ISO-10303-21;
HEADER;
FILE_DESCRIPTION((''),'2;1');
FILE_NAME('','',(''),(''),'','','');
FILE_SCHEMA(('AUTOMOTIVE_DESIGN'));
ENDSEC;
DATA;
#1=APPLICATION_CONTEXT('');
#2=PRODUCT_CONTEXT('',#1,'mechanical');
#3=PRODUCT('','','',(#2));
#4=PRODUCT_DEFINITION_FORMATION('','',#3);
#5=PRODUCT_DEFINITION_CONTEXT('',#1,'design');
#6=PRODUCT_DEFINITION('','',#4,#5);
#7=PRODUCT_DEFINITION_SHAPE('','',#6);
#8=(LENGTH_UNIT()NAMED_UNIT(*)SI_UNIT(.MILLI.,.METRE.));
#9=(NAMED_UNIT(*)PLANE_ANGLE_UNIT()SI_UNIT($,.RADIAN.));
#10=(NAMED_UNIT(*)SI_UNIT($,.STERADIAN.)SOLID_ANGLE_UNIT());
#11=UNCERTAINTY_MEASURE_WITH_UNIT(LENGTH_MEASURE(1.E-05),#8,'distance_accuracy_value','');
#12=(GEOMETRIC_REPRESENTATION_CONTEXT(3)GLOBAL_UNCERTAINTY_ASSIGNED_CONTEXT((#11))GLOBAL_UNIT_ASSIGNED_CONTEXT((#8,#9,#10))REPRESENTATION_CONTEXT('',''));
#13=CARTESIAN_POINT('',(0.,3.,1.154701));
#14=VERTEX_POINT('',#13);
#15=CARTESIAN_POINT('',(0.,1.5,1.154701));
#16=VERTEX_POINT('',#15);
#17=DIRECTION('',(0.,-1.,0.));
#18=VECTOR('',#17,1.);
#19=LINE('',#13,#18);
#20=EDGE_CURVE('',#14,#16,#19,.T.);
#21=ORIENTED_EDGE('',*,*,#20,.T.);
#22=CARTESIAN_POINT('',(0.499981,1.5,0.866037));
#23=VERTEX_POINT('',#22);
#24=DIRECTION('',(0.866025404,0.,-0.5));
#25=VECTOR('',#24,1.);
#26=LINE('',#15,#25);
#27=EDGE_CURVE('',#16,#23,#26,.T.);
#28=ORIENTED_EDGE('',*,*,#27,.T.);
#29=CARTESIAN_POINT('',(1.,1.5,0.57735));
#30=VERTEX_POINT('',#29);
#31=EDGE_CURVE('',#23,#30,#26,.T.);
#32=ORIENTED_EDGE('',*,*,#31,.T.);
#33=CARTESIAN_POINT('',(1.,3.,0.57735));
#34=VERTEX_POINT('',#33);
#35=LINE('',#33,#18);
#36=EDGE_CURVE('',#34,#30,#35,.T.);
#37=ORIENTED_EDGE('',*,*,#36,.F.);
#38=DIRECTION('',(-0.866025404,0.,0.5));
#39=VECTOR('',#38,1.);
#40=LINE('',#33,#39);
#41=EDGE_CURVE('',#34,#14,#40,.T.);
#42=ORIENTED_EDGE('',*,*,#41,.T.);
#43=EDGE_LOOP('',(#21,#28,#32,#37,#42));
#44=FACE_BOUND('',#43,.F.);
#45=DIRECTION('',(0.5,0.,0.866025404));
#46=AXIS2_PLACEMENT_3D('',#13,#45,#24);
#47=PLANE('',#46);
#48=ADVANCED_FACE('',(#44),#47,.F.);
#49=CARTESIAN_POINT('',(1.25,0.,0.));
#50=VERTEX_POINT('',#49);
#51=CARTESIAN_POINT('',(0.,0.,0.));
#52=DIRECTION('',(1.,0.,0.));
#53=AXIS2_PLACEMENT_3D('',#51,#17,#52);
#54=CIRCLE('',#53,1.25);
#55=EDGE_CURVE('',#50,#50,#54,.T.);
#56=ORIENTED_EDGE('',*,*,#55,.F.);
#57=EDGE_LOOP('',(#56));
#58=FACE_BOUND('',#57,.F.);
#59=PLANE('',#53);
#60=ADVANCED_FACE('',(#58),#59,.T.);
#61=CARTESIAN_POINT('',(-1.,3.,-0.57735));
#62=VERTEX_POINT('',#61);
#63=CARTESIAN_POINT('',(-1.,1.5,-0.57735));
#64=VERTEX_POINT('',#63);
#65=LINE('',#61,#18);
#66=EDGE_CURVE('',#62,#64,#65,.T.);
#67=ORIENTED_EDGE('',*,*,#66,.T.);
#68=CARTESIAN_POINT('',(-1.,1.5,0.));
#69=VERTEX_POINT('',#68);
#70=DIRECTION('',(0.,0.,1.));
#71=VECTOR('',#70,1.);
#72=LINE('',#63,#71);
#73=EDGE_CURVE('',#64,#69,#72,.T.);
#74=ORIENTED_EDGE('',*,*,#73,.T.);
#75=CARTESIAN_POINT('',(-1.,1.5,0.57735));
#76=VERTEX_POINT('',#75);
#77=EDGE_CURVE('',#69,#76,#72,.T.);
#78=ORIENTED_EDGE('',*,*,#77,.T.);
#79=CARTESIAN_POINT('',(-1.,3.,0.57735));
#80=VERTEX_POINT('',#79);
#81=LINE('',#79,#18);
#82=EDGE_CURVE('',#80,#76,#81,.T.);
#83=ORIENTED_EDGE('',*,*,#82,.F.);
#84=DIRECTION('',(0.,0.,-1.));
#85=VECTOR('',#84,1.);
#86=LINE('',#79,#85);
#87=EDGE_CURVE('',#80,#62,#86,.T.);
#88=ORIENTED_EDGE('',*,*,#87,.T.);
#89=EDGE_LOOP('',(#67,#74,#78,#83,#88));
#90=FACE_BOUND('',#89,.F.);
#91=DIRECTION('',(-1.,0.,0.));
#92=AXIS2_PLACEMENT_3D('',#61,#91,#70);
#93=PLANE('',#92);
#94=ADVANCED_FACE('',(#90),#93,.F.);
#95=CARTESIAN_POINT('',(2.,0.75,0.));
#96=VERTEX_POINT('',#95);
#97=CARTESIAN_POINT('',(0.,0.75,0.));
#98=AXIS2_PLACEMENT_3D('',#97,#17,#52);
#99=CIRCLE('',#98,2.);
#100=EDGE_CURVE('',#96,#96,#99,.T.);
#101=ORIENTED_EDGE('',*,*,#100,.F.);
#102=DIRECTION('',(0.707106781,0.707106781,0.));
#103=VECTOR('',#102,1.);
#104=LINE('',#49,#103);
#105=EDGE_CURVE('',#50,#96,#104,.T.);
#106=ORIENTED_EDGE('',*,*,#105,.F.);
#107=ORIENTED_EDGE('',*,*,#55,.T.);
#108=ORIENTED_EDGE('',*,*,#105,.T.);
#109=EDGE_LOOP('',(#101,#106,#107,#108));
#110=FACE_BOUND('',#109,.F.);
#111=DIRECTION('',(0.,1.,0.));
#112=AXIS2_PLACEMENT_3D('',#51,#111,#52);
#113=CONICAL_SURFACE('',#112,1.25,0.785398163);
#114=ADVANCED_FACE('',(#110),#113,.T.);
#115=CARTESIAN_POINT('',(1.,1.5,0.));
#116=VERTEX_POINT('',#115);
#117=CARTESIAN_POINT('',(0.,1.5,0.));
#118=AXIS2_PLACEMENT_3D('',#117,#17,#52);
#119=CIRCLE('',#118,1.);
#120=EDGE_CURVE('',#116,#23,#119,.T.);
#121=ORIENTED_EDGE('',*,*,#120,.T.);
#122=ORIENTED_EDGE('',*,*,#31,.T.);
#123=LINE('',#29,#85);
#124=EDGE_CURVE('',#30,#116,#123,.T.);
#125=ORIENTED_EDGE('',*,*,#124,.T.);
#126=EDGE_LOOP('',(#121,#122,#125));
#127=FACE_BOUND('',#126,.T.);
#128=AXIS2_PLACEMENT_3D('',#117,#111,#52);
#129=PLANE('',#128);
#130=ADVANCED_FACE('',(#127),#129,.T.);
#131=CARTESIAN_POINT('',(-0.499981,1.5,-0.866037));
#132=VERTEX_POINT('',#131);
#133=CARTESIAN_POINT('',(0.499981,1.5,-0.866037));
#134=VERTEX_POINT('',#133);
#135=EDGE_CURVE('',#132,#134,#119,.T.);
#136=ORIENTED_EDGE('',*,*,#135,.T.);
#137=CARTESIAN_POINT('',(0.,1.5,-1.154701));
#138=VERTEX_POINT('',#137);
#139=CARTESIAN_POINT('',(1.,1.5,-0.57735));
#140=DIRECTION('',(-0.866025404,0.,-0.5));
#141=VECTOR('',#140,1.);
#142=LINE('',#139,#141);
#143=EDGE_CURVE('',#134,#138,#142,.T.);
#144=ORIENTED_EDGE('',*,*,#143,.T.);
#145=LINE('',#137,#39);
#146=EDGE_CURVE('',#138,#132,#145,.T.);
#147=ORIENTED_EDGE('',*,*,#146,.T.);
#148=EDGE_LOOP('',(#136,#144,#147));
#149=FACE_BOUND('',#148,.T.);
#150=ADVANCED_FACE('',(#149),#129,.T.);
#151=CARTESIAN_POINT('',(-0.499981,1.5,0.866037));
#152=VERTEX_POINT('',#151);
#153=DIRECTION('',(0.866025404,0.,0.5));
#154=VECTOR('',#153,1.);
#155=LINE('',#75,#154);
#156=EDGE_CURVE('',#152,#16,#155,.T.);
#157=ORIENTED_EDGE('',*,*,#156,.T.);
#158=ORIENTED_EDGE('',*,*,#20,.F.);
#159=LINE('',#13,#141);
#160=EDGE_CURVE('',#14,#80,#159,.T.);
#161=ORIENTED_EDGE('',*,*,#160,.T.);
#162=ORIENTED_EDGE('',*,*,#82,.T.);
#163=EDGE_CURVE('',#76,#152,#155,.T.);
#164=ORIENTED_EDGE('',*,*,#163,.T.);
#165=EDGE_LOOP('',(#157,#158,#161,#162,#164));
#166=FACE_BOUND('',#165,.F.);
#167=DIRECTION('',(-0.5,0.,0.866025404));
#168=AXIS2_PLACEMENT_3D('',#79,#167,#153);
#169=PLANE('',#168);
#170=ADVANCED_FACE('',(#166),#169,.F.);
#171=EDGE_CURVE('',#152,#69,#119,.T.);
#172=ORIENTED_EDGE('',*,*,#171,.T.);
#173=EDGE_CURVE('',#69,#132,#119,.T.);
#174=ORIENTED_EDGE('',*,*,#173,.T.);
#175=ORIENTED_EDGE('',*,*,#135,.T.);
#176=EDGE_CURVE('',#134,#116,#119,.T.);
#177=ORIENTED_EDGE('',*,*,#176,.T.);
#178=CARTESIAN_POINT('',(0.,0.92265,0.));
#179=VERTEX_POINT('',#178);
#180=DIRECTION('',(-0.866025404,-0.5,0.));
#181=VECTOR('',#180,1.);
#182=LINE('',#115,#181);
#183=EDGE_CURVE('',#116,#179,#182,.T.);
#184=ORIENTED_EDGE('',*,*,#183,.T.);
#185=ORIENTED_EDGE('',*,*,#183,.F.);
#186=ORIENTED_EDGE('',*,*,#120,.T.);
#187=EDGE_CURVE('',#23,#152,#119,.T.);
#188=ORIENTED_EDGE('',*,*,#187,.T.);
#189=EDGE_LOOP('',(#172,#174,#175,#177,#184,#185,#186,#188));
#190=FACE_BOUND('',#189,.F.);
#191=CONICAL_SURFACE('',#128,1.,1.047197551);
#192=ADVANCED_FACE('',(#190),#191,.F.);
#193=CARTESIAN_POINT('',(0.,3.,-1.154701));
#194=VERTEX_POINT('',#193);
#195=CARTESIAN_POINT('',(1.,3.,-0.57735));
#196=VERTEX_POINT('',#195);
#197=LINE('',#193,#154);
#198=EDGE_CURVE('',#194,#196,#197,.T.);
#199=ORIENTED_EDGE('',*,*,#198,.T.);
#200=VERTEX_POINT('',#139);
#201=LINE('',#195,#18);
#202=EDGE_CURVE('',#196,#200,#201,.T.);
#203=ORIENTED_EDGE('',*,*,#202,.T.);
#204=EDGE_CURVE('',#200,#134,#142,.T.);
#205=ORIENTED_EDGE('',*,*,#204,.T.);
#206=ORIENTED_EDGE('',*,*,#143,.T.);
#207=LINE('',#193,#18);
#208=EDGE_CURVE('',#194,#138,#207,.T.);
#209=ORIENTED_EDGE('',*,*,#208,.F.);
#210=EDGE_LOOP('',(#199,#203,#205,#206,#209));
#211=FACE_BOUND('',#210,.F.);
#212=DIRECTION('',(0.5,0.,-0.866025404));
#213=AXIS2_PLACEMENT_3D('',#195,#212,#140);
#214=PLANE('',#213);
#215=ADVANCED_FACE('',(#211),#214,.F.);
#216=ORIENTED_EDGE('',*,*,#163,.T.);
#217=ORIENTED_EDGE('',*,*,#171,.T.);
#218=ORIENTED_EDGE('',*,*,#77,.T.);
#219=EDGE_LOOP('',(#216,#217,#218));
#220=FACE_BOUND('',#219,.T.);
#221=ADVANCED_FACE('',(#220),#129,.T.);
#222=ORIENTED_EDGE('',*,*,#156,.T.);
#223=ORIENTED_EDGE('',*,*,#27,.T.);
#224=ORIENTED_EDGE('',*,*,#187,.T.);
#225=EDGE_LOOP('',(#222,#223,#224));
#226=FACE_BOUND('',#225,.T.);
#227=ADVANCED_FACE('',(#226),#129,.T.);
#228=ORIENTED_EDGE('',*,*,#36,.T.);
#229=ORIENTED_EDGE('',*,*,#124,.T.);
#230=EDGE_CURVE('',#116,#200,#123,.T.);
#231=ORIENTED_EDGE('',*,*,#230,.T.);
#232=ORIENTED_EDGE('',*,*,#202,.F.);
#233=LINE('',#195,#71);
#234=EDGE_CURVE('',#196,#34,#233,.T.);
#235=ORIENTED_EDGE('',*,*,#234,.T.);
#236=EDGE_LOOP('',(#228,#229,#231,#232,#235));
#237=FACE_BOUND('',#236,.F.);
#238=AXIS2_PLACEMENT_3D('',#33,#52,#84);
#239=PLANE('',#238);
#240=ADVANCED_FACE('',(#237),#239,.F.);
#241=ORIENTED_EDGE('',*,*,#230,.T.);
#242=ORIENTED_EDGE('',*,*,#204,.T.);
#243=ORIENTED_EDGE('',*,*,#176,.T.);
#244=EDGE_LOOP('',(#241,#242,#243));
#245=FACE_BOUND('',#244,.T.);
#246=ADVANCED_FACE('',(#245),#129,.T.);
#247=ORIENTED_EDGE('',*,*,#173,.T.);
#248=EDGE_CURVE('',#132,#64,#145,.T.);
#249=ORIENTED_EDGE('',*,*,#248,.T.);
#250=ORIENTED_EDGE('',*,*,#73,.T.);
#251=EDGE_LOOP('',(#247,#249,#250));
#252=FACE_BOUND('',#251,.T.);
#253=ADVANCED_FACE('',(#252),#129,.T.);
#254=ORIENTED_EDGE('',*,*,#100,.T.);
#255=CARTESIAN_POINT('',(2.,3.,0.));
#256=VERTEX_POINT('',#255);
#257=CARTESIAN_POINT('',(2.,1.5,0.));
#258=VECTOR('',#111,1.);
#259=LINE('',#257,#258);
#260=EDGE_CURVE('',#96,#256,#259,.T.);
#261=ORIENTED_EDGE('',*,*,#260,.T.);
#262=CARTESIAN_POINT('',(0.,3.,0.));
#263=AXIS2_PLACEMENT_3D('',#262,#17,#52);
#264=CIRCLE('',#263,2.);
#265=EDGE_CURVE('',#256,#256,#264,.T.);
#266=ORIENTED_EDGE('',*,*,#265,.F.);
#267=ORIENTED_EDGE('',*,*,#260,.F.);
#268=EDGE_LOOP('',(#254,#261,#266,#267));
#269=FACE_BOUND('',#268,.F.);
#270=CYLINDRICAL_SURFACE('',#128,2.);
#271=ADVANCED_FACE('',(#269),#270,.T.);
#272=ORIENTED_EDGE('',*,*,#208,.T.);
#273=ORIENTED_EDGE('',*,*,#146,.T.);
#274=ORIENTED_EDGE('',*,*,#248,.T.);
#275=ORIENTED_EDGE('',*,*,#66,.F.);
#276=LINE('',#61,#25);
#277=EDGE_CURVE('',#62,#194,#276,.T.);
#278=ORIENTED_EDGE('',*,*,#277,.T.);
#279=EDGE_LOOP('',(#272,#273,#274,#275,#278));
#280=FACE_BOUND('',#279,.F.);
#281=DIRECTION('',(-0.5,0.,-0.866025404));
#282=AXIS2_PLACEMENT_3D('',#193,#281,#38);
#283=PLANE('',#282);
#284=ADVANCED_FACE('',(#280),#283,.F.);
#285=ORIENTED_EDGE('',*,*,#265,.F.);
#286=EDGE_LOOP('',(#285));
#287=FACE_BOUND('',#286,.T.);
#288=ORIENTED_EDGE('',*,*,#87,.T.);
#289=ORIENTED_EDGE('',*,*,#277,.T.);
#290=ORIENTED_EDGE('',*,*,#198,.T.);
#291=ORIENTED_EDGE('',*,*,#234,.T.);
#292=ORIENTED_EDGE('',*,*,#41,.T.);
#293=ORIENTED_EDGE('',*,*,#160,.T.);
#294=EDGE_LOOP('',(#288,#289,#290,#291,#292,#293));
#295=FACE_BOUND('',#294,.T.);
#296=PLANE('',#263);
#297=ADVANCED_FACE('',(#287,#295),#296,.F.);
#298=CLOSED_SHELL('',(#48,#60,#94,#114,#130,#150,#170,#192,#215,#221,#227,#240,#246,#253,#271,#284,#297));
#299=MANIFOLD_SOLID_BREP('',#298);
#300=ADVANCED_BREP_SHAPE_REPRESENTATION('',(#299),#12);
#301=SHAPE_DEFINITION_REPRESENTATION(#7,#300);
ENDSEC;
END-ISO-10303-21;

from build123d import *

# Parameters (mm, degrees)
SKETCH1_W          = 2
SKETCH1_H          = 3
CUT_EXTRUDE1_DEPTH = 1.5


with BuildPart() as part:
    # Sketch1 → Revolve1 (revolve)
    with BuildSketch(Plane.XY):
        with Locations((1, 1.5)):
            Rectangle(SKETCH1_W, SKETCH1_H)
    revolve(axis=Axis((0, 3, 0), (0, -1, 0)))

    # Sketch2 → Cut-Revolve1 (revolve, cut)
    with BuildSketch(Plane.XY):
        Polygon((0, 3), (1, 3), (1, 1.5), (0, 0.922649731), align=None)
    revolve(axis=Axis((0, 3, 0), (0, -1, 0)), mode=Mode.SUBTRACT)

    # Sketch3 → Cut-Extrude1 (cut)
    with BuildSketch(Plane(origin=(0, 3, 0), x_dir=(1, 0, 0), z_dir=(0, 1, 0))):
        Polygon((0, 1.154700538), (-1, 0.577350269), (-1, -0.577350269), (0, -1.154700538), (1, -0.577350269), (1, 0.577350269), align=None)
    extrude(amount=-CUT_EXTRUDE1_DEPTH, mode=Mode.SUBTRACT)

    # Sketch4 → Cut-Revolve2 (revolve, cut)
    with BuildSketch(Plane.XY):
        Polygon((2, 0.75), (2, 0), (1.25, 0), align=None)
    revolve(axis=Axis((0, 3, 0), (0, -1, 0)), mode=Mode.SUBTRACT)


solid = part.part
